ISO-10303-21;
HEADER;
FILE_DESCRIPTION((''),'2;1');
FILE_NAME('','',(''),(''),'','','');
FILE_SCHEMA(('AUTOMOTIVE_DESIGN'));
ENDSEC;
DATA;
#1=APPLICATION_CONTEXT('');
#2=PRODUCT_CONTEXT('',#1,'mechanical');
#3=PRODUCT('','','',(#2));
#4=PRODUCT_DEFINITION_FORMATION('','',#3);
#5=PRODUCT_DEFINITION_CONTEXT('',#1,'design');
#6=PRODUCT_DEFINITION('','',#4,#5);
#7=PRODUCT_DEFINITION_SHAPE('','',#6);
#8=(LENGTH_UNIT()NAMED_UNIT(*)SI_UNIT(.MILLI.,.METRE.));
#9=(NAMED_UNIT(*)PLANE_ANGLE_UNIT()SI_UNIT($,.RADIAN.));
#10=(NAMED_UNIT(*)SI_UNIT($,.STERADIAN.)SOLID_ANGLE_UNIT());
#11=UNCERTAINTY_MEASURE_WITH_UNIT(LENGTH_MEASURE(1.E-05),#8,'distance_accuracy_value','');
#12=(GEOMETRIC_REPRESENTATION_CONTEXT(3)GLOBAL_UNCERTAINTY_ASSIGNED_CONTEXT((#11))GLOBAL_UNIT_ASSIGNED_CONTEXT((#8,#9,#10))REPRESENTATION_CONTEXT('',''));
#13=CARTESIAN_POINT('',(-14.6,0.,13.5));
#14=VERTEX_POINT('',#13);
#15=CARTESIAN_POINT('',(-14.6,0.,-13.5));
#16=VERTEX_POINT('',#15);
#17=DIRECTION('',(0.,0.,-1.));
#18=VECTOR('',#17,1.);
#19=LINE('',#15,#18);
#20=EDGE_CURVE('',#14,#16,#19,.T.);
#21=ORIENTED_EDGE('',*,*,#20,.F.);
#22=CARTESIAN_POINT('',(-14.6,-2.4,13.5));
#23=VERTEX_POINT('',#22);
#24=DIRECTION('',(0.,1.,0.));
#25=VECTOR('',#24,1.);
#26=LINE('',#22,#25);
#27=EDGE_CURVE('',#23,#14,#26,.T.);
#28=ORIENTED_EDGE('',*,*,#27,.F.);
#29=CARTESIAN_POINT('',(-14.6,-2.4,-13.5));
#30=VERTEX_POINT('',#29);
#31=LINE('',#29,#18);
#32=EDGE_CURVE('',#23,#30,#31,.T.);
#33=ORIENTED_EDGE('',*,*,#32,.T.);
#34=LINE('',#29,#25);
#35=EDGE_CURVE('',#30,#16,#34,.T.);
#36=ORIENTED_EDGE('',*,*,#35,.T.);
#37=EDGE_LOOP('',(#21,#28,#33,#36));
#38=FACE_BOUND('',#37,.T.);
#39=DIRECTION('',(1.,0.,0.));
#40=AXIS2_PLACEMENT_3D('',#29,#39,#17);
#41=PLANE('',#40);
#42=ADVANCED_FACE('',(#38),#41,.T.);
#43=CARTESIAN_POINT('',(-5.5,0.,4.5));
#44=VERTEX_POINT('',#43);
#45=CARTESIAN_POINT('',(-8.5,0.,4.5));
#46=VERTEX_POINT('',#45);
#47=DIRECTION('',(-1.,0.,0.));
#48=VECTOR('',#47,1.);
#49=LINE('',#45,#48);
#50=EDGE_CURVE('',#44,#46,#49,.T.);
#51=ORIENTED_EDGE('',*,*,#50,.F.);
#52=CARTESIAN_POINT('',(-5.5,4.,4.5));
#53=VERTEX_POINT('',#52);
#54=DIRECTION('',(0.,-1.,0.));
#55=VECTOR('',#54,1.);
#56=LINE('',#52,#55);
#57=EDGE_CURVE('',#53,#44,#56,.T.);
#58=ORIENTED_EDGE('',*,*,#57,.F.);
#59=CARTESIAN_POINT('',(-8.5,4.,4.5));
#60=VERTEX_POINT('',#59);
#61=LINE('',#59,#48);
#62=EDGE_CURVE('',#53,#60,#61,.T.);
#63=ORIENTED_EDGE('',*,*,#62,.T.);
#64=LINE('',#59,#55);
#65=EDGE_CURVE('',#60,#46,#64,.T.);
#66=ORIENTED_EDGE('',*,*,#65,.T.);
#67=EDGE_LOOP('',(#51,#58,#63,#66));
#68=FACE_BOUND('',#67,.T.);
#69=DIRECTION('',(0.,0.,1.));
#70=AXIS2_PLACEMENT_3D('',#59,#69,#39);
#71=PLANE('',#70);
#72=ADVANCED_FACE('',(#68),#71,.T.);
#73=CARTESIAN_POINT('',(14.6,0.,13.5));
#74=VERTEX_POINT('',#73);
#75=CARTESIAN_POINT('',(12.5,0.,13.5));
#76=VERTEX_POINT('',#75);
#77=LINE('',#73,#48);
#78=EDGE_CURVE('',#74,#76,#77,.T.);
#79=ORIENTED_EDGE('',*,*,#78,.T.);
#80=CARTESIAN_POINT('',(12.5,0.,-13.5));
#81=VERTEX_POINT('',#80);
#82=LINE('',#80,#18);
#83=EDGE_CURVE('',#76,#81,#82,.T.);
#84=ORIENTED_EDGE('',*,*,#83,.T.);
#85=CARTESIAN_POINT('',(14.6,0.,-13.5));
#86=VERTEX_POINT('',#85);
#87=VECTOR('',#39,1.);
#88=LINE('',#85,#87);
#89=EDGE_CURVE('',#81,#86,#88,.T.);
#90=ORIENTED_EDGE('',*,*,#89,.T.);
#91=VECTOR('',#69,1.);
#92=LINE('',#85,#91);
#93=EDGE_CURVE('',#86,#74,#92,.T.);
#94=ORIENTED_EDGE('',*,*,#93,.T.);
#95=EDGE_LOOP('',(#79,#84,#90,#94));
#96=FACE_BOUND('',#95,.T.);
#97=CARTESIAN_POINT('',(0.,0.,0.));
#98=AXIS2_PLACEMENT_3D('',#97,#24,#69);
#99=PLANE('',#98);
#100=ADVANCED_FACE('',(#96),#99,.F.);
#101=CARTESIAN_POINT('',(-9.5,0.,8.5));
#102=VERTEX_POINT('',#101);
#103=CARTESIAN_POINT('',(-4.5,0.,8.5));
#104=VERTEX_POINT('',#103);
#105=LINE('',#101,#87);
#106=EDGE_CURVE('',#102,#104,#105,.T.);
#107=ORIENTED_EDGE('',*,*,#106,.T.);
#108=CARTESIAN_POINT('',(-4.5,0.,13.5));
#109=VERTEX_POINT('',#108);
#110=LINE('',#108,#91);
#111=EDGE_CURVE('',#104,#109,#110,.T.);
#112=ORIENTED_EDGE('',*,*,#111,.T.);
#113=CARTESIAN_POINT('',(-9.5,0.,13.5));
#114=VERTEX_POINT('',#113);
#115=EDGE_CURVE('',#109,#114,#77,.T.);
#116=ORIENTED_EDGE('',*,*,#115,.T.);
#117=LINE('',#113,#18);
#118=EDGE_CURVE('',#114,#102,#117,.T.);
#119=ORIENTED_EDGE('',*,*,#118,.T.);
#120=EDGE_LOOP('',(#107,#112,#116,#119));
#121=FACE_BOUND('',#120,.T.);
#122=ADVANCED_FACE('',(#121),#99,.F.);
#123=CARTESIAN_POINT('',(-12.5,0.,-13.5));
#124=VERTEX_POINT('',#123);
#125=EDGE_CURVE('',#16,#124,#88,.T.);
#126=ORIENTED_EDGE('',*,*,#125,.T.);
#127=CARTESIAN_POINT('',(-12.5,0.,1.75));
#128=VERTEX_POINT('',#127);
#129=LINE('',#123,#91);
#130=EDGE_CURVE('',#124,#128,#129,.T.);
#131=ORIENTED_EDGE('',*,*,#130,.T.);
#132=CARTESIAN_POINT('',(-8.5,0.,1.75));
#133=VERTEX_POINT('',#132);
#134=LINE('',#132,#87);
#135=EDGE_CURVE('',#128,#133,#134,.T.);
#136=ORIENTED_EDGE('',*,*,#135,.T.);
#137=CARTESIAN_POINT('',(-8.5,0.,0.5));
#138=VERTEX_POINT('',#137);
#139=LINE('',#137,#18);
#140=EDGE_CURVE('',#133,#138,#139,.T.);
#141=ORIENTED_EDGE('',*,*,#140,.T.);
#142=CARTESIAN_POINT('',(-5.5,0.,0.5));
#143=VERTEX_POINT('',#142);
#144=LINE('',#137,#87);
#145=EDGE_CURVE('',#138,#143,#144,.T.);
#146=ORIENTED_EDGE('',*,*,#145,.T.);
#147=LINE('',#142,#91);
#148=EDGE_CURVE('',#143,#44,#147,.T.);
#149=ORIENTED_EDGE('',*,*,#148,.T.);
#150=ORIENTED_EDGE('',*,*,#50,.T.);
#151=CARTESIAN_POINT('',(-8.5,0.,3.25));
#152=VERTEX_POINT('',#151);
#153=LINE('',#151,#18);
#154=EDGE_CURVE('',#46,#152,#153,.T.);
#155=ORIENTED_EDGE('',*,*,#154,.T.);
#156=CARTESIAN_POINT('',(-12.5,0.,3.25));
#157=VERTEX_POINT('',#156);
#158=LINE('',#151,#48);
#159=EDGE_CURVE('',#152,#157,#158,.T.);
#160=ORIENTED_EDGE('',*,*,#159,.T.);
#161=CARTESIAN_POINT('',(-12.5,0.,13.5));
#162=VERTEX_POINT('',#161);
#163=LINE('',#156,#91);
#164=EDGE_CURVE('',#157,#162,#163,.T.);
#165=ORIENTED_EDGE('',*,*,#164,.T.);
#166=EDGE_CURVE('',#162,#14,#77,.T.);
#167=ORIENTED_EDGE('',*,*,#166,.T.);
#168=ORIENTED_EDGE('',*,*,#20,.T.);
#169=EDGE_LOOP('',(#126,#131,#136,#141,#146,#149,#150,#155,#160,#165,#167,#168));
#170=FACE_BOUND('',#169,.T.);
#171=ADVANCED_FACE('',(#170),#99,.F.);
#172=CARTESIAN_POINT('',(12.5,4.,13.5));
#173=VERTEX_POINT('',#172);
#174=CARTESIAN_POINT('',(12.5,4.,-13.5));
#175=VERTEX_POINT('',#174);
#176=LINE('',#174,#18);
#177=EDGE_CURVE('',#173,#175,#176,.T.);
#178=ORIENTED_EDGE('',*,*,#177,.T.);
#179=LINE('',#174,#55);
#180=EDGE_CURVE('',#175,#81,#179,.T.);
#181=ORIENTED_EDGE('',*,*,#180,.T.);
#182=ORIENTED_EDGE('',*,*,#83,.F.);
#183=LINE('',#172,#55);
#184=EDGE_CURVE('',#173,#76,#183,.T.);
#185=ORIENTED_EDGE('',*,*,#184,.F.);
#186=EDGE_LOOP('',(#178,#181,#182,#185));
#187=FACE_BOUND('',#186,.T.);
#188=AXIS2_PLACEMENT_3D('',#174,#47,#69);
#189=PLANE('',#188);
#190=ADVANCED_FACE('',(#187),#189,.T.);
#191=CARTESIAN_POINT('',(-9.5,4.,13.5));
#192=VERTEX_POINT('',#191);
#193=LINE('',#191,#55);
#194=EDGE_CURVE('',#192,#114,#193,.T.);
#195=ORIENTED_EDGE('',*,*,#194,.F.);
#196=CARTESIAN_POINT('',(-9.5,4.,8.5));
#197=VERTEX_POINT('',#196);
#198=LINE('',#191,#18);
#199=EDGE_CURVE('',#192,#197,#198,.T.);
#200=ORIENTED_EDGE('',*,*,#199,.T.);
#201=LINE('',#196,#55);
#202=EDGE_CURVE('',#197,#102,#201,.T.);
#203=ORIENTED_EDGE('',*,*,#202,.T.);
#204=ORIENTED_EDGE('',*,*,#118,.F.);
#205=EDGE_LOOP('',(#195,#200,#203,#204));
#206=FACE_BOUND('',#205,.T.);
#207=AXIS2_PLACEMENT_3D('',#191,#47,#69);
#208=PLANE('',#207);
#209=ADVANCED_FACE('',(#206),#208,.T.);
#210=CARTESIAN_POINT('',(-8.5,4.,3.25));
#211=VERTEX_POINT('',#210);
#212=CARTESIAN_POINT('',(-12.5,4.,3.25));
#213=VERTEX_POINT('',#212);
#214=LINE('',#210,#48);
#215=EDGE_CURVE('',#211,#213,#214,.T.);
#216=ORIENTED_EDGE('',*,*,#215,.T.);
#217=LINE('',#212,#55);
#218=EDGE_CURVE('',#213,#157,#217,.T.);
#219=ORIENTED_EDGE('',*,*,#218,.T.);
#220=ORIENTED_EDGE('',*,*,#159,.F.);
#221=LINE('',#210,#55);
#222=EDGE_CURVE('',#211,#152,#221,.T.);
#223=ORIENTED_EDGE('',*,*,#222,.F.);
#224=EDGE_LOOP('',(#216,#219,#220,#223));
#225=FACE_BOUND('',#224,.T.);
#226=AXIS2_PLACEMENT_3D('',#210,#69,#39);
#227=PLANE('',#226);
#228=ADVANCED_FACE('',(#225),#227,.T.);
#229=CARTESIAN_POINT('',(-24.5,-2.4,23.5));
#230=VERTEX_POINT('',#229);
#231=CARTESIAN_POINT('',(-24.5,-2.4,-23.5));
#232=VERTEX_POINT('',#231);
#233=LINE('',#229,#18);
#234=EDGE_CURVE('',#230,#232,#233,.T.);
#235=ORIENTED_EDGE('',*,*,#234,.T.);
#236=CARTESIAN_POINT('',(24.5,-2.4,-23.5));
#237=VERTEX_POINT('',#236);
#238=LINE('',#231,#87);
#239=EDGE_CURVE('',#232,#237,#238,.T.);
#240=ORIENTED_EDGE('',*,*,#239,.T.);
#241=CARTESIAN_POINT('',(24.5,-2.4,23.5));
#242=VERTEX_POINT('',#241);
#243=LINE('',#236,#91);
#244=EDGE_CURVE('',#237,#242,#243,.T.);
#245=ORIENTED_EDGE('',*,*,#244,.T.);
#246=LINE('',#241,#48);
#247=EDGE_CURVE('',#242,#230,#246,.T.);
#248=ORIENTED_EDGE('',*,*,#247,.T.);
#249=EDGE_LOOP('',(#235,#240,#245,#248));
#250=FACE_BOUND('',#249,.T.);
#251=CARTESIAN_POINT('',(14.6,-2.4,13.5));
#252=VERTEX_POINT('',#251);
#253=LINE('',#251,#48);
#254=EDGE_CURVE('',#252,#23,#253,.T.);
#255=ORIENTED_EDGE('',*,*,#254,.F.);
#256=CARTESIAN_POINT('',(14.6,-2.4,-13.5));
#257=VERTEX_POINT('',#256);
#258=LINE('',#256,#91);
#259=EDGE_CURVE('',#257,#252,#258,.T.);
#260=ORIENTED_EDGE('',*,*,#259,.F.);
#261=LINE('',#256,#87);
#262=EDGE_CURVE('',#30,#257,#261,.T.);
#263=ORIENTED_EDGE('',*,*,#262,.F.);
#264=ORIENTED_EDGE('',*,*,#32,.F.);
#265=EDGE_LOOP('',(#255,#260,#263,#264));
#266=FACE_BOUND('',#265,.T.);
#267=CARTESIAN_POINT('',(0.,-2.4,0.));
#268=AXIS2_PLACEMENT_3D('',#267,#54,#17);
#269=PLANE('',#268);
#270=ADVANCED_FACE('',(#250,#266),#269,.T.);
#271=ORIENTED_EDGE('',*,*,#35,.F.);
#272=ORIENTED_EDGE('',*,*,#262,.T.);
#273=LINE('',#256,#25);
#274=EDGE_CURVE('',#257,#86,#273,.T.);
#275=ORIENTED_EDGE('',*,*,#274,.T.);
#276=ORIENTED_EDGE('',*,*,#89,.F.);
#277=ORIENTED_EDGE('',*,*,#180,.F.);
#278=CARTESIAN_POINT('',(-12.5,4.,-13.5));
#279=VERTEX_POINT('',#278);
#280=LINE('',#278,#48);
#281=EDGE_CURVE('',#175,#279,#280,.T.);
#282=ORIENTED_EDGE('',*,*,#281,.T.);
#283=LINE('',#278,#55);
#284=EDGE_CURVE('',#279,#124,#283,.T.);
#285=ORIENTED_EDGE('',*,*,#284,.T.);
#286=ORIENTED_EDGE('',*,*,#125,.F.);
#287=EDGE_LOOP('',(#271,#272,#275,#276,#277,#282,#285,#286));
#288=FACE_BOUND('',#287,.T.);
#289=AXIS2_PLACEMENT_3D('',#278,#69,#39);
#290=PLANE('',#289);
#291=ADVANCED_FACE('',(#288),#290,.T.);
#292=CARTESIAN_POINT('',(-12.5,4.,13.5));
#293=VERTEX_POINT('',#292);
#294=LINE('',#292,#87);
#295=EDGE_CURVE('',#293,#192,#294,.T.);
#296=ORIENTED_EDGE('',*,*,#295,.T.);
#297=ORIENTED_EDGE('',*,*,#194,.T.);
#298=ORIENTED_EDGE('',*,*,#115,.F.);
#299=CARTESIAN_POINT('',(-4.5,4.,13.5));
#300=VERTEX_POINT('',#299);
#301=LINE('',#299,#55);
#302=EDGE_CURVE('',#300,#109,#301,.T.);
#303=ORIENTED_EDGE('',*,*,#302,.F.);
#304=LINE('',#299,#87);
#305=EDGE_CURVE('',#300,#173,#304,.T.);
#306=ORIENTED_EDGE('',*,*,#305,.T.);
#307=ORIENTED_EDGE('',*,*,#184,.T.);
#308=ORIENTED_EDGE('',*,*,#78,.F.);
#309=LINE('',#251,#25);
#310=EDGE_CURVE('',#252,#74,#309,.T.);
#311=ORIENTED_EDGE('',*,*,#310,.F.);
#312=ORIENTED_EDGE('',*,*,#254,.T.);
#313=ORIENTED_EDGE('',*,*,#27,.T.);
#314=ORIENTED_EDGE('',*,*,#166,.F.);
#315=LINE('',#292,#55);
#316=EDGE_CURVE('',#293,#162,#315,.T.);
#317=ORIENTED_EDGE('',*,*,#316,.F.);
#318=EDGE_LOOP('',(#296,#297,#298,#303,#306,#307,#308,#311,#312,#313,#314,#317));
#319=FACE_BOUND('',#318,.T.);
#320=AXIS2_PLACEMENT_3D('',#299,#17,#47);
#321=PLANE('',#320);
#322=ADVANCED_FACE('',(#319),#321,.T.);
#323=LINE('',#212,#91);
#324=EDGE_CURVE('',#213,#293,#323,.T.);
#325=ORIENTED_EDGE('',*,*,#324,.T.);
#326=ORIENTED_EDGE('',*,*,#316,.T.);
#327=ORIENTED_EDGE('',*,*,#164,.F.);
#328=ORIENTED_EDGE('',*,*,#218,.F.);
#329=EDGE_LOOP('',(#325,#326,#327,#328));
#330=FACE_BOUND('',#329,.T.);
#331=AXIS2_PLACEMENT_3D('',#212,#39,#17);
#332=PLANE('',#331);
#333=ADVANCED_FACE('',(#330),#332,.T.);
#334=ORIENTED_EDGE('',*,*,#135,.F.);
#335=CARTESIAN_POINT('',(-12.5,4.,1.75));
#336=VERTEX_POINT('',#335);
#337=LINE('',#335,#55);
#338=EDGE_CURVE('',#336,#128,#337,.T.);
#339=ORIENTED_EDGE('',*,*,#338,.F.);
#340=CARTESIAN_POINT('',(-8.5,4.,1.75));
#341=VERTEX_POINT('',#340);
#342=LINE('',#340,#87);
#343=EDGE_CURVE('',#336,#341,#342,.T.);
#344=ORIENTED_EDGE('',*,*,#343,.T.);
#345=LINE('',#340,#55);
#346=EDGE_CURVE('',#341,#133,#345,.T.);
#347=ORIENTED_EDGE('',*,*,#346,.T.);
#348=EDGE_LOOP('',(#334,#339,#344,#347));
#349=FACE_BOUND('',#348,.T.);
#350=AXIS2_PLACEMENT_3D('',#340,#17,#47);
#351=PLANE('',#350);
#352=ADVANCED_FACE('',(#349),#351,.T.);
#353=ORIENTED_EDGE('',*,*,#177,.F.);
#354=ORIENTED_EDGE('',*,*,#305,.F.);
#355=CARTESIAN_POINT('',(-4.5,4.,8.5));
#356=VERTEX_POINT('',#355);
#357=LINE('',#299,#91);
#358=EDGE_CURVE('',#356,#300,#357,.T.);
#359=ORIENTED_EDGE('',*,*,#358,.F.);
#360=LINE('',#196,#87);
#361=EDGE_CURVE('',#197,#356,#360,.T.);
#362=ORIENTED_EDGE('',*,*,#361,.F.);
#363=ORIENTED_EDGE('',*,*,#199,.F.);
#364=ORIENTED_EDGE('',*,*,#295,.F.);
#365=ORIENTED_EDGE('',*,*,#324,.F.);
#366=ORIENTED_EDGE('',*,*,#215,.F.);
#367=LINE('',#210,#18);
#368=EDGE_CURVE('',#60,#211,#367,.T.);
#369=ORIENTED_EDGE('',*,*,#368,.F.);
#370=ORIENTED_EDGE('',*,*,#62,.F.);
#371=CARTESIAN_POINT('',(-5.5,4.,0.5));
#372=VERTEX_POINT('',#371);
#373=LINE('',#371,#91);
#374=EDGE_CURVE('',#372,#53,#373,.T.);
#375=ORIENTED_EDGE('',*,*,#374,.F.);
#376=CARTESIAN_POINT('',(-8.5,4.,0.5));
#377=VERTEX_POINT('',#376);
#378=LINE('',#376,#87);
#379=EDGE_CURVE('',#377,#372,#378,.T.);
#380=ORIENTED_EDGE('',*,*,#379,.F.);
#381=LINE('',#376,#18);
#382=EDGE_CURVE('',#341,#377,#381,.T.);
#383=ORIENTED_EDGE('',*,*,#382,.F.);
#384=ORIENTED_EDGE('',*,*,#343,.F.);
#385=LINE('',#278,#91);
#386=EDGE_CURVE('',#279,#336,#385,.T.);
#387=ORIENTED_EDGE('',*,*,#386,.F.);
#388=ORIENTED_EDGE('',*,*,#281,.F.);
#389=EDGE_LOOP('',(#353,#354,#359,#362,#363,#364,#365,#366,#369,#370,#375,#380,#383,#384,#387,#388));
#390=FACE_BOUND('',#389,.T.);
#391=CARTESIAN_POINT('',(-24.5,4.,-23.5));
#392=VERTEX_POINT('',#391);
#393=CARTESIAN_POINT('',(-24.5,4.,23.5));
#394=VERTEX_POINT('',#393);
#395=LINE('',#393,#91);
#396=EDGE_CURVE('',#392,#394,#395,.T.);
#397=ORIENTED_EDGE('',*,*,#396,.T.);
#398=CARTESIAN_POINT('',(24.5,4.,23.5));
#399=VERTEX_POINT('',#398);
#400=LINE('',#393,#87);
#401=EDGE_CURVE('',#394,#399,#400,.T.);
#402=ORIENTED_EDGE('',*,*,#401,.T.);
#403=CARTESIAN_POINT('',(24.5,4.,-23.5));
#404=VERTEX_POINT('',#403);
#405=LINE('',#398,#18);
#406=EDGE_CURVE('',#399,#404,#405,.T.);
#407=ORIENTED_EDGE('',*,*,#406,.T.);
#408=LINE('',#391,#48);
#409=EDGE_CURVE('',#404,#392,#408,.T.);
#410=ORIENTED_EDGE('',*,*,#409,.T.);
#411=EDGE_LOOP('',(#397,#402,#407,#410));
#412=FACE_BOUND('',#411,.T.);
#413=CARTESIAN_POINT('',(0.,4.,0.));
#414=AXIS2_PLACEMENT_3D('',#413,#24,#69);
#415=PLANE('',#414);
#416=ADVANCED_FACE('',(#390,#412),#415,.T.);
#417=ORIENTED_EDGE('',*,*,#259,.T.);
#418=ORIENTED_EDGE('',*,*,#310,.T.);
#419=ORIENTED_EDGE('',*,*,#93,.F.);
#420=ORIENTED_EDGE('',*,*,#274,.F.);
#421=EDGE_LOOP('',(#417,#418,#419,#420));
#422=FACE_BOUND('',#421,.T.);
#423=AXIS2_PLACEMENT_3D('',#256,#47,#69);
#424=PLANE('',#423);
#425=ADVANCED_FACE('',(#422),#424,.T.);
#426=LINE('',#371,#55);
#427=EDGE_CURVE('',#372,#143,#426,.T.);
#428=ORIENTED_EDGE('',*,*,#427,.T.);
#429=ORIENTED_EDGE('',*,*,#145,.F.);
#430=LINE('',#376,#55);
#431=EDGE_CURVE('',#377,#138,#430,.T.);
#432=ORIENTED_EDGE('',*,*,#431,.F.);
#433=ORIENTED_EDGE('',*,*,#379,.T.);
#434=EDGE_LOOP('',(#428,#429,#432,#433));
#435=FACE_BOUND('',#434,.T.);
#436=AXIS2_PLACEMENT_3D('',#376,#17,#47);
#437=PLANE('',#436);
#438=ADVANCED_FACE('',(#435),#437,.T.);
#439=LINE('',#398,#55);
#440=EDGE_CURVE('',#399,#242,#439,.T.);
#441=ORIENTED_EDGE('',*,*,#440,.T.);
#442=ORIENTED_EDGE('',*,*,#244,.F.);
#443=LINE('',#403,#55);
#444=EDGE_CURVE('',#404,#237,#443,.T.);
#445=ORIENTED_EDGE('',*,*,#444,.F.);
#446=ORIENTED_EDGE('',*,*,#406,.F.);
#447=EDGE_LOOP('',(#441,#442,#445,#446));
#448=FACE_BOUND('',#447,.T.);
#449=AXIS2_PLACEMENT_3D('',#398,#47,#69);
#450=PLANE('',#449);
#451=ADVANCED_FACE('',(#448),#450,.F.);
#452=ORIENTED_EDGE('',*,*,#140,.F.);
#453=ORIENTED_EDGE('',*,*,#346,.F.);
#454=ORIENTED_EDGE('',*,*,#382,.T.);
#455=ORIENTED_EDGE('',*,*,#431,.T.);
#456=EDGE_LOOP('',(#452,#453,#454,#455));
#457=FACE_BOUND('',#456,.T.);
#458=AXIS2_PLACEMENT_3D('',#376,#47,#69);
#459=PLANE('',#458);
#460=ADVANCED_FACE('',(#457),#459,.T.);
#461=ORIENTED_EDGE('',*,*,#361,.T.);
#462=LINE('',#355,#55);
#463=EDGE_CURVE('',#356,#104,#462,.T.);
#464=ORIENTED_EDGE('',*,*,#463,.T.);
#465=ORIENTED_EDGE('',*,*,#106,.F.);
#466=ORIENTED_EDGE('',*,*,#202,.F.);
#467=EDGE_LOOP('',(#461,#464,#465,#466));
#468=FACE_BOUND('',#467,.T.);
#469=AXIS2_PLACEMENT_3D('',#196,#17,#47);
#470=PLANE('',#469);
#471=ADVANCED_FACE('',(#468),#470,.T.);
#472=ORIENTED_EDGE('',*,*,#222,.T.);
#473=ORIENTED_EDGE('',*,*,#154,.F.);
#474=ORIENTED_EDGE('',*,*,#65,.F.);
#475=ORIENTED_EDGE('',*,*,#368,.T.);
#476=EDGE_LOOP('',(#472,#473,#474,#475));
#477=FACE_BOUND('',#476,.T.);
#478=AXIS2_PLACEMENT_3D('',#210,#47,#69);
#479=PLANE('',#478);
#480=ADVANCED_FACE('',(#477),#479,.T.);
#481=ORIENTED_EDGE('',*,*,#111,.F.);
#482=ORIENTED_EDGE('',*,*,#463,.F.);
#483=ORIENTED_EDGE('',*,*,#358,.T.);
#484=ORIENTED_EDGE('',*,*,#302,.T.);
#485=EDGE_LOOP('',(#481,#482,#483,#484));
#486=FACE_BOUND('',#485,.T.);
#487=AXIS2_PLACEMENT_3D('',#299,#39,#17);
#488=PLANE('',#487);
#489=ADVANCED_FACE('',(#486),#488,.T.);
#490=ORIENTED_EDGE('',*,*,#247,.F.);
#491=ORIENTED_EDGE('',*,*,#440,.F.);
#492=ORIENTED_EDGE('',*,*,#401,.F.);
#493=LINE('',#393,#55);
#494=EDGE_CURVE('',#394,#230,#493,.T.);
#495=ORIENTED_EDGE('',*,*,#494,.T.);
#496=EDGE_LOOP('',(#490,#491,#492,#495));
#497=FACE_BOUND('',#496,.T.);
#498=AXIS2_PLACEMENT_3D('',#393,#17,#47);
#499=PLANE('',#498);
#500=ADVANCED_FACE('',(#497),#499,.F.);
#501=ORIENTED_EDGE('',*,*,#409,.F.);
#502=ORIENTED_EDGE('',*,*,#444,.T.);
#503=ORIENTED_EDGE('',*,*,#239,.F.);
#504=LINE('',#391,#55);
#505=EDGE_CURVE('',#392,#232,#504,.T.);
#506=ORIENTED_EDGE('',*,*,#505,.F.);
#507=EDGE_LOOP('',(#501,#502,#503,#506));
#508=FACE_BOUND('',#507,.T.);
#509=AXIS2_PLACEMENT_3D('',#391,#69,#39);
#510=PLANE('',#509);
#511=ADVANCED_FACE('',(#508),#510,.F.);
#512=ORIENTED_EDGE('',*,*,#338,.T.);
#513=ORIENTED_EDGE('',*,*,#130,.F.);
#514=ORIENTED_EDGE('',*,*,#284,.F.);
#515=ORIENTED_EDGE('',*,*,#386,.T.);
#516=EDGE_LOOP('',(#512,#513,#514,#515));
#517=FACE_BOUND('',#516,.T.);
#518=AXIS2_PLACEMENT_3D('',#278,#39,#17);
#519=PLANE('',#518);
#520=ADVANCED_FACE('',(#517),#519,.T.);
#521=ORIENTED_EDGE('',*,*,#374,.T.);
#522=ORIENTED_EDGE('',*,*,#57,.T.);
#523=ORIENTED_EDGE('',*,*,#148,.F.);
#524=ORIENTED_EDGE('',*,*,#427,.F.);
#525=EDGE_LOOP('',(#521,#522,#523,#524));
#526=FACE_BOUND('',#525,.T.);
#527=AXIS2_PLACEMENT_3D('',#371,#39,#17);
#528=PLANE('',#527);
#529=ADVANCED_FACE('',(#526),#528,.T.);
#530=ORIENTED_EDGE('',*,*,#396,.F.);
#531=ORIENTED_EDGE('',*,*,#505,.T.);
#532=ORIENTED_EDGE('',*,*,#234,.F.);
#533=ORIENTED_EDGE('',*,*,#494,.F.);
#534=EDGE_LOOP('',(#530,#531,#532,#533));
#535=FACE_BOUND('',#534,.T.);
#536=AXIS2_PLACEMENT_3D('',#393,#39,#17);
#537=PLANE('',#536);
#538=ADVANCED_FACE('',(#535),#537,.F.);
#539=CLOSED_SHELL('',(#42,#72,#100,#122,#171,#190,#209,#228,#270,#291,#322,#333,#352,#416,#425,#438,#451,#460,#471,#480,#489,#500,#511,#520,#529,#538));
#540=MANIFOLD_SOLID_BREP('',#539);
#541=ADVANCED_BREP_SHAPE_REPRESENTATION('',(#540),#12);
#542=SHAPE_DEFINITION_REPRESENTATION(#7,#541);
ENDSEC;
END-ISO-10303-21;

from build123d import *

# Parameters (mm, degrees)
SKETCH1_W           = 49
SKETCH1_H           = 47
BOSS_EXTRUDE1_DEPTH = 4
SKETCH2_W           = 49
SKETCH2_H           = 47
SKETCH2_W_2         = 29.2
SKETCH2_H_2         = 27
BOSS_EXTRUDE2_DEPTH = 2.4


with BuildPart() as part:
    # Sketch1 → Boss-Extrude1 (new body)
    with BuildSketch(Plane(origin=(0, 0, 0), x_dir=(1, 0, 0), z_dir=(0, 1, 0))):
        Rectangle(SKETCH1_W, SKETCH1_H)
        Polygon((-12.5, -13.5), (-9.5, -13.5), (-9.5, -8.5), (-4.5, -8.5), (-4.5, -13.5), (12.5, -13.5), (12.5, 13.5), (-12.5, 13.5), (-12.5, -1.75), (-8.5, -1.75), (-8.5, -0.5), (-5.5, -0.5), (-5.5, -4.5), (-8.5, -4.5), (-8.5, -3.25), (-12.5, -3.25), align=None, mode=Mode.SUBTRACT)
    extrude(amount=BOSS_EXTRUDE1_DEPTH)

    # Sketch2 → Boss-Extrude2 (add)
    with BuildSketch(Plane.XZ):
        Rectangle(SKETCH2_W, SKETCH2_H)
        Rectangle(SKETCH2_W_2, SKETCH2_H_2, mode=Mode.SUBTRACT)
    extrude(amount=BOSS_EXTRUDE2_DEPTH)


solid = part.part
